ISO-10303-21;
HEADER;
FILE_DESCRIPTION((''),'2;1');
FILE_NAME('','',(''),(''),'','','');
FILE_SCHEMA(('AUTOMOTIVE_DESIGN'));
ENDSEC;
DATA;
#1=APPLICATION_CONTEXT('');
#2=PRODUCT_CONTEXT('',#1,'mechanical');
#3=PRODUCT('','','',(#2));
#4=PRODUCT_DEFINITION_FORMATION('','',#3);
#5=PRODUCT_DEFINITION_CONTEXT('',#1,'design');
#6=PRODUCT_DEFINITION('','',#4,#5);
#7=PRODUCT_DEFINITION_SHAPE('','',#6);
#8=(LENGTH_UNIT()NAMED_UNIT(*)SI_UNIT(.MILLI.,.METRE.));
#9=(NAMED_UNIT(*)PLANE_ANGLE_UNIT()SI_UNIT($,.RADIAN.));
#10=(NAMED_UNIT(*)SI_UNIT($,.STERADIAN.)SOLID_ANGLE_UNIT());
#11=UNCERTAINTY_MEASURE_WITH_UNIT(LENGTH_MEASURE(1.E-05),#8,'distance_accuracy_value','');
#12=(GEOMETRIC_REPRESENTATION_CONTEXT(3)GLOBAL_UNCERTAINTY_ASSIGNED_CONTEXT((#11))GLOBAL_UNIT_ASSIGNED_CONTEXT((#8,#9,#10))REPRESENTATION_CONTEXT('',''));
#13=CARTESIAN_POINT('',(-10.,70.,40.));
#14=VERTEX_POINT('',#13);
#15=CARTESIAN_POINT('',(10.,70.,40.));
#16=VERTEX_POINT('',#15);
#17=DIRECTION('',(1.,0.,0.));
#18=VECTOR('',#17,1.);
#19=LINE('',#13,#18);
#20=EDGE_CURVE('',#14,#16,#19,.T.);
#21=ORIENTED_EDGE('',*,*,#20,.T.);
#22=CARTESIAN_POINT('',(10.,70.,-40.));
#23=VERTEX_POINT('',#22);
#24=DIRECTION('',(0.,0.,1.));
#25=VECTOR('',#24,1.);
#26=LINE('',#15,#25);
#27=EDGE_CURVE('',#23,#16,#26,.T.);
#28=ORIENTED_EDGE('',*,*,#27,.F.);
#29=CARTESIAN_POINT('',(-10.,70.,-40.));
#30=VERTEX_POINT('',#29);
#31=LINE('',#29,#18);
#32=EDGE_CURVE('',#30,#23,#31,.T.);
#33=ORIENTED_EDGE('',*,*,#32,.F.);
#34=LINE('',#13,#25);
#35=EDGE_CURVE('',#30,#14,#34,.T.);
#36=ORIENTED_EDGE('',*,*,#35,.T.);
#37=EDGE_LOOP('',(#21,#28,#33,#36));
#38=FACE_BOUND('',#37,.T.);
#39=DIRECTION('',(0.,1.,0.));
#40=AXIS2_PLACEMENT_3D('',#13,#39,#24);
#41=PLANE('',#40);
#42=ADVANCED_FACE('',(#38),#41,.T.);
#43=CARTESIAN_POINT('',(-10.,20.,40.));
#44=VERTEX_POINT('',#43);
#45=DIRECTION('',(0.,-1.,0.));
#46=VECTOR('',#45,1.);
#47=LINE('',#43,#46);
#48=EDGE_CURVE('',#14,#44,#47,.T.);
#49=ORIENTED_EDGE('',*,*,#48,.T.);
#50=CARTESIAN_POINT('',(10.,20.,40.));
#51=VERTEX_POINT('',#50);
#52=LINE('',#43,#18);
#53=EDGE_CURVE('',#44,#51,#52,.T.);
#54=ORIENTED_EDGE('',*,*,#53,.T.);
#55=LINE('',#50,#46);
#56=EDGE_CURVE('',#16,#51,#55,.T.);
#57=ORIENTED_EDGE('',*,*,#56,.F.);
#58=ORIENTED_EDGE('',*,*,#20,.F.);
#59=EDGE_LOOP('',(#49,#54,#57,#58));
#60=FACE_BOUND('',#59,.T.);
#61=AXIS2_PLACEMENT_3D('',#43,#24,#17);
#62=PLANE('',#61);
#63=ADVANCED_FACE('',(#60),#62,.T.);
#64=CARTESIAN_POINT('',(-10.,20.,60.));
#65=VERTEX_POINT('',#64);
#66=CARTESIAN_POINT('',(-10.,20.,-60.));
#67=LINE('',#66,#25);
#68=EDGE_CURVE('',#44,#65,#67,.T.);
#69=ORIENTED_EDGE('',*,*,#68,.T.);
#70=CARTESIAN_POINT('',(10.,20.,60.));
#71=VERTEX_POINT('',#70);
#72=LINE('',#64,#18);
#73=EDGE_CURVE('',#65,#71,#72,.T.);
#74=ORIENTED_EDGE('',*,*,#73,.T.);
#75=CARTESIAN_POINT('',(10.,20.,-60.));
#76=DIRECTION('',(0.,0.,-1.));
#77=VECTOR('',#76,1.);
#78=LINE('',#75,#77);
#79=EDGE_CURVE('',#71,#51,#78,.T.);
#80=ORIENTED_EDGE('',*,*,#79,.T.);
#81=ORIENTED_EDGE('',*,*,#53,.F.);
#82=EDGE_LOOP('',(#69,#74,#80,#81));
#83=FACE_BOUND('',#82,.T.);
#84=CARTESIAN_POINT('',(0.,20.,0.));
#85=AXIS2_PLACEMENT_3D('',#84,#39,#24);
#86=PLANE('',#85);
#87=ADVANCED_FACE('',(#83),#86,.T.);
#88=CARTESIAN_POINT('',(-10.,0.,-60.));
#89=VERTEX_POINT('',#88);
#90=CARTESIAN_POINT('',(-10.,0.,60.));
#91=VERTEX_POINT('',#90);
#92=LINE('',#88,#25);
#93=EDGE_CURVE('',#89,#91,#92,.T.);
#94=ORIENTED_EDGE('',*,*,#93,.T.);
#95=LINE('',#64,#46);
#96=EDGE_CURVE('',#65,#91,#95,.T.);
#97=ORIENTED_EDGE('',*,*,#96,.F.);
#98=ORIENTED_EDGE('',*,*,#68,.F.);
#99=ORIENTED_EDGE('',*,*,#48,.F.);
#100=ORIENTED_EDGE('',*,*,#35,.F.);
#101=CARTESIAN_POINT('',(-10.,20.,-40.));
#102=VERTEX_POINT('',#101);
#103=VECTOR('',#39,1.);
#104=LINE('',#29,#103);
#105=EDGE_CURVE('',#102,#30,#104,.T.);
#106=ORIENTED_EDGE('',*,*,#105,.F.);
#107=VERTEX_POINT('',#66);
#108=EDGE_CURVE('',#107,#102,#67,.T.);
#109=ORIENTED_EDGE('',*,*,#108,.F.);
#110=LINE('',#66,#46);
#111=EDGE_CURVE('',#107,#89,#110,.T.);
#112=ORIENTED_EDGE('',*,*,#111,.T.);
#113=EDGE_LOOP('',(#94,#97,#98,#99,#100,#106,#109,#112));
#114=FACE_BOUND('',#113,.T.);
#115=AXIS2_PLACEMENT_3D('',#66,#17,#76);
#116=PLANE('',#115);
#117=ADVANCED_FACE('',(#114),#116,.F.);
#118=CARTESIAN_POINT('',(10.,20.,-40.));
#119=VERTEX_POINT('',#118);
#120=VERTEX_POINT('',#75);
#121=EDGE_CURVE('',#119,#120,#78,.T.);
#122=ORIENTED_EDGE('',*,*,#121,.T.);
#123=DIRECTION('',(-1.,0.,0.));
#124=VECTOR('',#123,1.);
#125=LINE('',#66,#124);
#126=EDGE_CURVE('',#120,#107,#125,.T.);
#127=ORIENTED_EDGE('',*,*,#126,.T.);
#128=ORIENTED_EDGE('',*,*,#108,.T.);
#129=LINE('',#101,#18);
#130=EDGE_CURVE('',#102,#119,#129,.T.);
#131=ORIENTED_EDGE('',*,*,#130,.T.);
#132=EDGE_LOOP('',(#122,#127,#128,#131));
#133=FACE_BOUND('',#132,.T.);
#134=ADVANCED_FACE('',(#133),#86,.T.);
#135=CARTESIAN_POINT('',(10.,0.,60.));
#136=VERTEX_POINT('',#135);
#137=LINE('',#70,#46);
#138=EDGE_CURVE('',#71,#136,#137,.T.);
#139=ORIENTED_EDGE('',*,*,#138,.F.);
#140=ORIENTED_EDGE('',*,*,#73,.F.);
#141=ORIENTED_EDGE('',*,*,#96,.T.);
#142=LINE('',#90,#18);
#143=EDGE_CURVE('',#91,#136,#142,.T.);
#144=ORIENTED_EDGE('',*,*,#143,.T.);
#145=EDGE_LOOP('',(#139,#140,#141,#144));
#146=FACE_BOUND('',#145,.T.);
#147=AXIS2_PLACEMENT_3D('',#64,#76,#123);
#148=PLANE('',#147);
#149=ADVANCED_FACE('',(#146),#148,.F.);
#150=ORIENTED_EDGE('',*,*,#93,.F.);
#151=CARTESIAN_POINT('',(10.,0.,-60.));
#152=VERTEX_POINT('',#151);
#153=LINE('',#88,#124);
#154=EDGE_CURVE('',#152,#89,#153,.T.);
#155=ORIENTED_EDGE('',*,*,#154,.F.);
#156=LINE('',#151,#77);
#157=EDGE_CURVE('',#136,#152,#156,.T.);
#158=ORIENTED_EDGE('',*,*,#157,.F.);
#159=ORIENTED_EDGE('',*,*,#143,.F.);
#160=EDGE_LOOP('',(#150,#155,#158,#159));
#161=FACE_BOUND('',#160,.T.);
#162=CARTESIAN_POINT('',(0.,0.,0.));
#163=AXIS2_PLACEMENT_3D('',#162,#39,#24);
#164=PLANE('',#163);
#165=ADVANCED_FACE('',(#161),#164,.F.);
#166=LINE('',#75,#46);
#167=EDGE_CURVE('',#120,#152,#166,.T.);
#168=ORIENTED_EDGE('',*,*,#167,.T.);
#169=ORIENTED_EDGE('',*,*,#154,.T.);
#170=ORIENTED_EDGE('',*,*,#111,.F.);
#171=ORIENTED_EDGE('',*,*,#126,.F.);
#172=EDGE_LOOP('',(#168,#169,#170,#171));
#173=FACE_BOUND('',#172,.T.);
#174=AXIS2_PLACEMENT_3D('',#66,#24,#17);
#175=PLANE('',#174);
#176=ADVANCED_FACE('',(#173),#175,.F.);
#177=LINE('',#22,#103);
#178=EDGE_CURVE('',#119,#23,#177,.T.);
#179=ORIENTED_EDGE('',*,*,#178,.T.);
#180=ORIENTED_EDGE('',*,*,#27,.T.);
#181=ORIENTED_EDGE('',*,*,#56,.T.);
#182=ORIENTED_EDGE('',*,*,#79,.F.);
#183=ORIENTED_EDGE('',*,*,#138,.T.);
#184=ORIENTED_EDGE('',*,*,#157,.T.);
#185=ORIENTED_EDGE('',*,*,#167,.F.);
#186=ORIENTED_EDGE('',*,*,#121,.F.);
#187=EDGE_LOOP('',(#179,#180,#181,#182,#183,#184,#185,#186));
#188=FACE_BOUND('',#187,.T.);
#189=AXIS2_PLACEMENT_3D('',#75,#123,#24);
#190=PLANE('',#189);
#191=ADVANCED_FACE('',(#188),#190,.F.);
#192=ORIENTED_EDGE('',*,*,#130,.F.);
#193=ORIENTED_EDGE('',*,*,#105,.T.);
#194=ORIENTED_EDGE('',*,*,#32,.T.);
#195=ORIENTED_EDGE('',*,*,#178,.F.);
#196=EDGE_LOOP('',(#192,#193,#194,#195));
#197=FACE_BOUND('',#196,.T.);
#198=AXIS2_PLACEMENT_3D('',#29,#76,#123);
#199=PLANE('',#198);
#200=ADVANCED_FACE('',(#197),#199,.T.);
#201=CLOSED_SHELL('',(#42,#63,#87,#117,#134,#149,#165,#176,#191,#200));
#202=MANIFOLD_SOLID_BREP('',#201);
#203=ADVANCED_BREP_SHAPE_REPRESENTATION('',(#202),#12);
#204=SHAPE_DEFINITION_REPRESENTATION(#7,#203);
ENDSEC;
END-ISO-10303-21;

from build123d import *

# Parameters (mm, degrees)
SKETCH_1_W      = 20
SKETCH_1_H      = 120
EXTRUDE_1_DEPTH = 20
EXTRUDE_2_DEPTH = 20


with BuildPart() as part:
    # 草图1 → 凸台-拉伸1 (new body)
    with BuildSketch(Plane(origin=(0, 0, 0), x_dir=(1, 0, 0), z_dir=(0, 1, 0))):
        Rectangle(SKETCH_1_W, SKETCH_1_H)
    extrude(amount=EXTRUDE_1_DEPTH)

    # 草图2 → 凸台-拉伸2 (add)
    with BuildSketch(Plane(origin=(10, 0, 0), x_dir=(0, 0, -1), z_dir=(1, 0, 0))):
        Polygon((0, 20), (40, 20), (40, 70), (-40, 70), (-40, 20), align=None)
    extrude(amount=-EXTRUDE_2_DEPTH)


solid = part.part
